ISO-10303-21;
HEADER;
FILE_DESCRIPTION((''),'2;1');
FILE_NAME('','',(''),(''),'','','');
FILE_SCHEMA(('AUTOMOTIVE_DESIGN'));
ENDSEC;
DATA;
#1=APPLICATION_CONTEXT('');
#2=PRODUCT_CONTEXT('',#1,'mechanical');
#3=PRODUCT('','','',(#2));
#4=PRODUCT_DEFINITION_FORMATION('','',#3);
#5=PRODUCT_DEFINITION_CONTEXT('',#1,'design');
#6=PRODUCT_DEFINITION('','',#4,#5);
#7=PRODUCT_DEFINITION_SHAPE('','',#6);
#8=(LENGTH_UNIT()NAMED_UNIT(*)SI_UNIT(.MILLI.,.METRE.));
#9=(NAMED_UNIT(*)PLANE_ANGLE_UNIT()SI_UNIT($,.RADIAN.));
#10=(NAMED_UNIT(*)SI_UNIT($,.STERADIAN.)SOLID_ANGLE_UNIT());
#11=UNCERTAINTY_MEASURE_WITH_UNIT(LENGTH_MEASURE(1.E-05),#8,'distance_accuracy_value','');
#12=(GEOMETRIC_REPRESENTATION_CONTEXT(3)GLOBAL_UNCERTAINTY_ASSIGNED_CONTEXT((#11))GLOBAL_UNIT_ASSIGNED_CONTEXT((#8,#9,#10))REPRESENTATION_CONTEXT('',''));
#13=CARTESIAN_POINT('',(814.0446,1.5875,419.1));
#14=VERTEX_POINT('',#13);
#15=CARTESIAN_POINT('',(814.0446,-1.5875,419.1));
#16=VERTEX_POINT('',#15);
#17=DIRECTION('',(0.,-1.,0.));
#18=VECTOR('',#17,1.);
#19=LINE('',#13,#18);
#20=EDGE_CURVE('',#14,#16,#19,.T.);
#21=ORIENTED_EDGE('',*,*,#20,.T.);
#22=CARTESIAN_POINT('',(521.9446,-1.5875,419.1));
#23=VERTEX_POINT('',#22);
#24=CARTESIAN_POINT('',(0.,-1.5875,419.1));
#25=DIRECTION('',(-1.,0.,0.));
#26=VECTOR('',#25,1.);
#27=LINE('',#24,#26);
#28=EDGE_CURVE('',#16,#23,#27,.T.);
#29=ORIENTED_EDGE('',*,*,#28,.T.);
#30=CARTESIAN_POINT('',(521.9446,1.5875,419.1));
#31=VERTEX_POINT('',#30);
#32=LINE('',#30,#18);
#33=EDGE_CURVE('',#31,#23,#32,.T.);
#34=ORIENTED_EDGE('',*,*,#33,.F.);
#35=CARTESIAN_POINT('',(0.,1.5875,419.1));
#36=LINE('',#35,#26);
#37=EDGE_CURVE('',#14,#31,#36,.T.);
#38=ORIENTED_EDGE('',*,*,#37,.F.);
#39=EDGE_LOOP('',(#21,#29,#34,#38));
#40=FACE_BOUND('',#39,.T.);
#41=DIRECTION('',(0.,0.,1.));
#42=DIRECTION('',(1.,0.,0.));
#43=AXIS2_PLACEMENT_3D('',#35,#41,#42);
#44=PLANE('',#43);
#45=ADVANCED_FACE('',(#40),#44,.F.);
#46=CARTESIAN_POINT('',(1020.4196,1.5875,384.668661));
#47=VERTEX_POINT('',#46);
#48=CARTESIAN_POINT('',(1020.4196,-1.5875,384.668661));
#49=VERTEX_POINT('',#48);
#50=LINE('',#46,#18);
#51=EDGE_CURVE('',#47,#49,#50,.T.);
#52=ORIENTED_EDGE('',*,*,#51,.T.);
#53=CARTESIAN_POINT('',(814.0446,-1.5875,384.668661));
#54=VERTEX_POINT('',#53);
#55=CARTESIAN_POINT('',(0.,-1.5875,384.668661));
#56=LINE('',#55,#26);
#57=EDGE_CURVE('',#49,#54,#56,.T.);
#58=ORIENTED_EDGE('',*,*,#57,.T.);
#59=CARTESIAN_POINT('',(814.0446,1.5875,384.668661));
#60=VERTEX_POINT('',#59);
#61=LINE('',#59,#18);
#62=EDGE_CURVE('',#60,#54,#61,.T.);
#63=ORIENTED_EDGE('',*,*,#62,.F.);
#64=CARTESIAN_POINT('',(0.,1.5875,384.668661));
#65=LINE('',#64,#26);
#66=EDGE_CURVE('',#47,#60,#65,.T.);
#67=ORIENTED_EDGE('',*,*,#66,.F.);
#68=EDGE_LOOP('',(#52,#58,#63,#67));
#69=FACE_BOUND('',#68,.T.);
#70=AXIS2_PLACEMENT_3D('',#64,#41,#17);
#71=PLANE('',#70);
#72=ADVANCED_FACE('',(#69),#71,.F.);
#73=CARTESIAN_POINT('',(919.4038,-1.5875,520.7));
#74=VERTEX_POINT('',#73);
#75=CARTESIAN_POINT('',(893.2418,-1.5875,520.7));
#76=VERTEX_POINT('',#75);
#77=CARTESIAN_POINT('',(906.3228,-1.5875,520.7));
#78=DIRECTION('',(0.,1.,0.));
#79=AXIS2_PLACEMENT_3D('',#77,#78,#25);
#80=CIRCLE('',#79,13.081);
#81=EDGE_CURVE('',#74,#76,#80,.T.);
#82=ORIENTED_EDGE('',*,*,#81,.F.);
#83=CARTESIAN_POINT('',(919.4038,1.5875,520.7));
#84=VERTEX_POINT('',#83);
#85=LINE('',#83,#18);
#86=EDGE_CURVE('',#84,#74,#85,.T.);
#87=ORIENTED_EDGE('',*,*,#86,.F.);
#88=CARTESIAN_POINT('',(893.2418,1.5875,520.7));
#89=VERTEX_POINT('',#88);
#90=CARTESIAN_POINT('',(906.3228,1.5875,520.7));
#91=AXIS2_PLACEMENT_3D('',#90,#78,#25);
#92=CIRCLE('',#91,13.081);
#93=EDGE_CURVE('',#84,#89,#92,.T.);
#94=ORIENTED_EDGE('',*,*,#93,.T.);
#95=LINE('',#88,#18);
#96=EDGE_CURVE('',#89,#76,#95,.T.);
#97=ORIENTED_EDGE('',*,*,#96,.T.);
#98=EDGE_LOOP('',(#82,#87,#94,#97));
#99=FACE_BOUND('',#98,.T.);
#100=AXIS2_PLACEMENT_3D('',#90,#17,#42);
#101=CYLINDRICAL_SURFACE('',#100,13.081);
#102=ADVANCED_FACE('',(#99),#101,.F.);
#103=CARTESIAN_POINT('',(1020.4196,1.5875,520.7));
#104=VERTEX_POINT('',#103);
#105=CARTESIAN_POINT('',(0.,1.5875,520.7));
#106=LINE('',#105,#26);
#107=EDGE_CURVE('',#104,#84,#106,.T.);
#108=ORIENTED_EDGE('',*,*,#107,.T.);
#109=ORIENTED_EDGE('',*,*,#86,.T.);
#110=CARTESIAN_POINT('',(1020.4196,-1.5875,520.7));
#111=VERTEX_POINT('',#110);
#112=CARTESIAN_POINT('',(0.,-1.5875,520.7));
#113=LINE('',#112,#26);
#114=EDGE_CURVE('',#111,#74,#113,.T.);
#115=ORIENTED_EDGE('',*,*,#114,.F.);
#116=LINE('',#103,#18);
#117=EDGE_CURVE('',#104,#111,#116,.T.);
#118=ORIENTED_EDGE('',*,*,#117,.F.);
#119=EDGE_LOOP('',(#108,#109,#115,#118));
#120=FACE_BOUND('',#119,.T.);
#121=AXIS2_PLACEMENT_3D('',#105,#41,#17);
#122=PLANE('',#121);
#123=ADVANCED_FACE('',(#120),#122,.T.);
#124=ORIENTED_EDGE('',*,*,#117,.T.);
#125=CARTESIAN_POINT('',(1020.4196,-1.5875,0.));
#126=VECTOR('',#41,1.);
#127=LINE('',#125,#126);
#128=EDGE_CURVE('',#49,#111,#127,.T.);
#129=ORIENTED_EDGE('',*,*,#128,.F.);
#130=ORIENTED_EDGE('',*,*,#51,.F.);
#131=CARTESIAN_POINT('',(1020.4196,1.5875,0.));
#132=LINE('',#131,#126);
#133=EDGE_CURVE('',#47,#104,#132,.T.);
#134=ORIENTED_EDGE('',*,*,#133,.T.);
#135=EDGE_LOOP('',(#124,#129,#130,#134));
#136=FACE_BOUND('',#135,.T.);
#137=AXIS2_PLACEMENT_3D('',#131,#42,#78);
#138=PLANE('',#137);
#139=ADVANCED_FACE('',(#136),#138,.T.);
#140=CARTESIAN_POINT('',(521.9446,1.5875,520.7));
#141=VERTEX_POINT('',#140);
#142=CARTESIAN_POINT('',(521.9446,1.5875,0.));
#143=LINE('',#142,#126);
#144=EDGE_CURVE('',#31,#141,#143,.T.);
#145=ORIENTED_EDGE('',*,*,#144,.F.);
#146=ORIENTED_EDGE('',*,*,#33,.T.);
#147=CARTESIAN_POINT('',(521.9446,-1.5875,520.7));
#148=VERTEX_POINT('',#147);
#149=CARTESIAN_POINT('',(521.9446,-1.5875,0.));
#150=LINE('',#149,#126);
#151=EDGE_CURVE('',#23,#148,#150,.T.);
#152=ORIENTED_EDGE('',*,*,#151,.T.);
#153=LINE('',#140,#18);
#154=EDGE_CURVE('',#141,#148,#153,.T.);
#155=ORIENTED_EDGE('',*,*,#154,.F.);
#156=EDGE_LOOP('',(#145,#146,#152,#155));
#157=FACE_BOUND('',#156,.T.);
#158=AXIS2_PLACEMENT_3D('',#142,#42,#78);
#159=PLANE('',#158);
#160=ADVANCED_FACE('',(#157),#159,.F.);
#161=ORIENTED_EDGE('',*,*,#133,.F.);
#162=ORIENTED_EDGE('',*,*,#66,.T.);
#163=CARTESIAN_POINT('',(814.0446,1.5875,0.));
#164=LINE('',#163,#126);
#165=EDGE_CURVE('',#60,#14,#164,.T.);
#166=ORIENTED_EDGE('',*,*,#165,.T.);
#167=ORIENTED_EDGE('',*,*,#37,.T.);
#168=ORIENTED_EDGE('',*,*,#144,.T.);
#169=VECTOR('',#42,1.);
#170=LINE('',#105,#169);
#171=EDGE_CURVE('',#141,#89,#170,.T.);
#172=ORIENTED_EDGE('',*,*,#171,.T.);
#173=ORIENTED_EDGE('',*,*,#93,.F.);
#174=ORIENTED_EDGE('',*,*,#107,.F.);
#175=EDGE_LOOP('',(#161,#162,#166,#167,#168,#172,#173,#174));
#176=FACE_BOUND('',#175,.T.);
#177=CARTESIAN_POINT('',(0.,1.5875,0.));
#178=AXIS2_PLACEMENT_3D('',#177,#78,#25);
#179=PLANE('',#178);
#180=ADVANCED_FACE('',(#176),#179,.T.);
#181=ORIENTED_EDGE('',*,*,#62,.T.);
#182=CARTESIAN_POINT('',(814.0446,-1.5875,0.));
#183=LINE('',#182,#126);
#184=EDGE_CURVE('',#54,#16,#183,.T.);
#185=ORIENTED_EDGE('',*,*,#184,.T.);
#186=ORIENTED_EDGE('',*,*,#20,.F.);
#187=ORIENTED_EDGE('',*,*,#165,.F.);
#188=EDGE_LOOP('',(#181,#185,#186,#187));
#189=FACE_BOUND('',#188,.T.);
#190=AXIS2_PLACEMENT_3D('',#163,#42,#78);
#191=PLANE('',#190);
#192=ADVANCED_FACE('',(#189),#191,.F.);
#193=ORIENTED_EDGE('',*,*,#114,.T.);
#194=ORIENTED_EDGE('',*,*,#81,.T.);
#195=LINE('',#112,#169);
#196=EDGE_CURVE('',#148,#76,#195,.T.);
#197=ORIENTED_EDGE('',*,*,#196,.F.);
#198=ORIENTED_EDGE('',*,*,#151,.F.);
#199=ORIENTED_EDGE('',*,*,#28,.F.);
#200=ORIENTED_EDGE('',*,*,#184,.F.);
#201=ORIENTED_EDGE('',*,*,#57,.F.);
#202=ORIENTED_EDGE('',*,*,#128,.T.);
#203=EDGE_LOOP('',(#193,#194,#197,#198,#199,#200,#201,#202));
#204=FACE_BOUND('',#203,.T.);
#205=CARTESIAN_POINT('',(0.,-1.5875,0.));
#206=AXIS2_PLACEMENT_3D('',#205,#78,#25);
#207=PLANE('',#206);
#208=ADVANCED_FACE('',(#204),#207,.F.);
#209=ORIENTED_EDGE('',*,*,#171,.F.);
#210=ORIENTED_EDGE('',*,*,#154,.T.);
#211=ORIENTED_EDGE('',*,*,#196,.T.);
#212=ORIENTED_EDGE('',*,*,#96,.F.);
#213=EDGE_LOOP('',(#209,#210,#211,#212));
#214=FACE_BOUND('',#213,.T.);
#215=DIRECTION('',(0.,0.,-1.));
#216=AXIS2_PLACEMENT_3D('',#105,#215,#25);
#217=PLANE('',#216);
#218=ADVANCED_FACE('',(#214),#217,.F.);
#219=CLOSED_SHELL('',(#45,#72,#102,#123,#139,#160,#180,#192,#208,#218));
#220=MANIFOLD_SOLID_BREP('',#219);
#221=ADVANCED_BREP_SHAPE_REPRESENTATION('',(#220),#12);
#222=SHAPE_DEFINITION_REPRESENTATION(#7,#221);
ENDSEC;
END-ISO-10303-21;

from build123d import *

# Parameters (mm, degrees)
BOSS_EXTRUDE1_DEPTH = 1.5875


with BuildPart() as part:
    # Sketch1 → Boss-Extrude1 (new, symmetric)
    with BuildSketch(Plane(origin=(0, 0, 0), x_dir=(1, 0, 0), z_dir=(0, 1, 0))):
        with BuildLine():
            Line((1020.4196, -520.7), (1020.4196, -384.668661408))
            Line((1020.4196, -384.668661408), (1017.2446, -384.668661408))
            Line((1017.2446, -384.668661408), (814.0446, -384.668661408))
            Line((814.0446, -384.668661408), (814.0446, -419.1))
            Line((814.0446, -419.1), (525.1196, -419.1))
            Line((525.1196, -419.1), (521.9446, -419.1))
            Line((521.9446, -419.1), (521.9446, -520.7))
            Line((521.9446, -520.7), (525.1196, -520.7))
            Line((525.1196, -520.7), (893.2418, -520.7))
            ThreePointArc((893.2418, -520.7), (906.3228, -507.619), (919.4038, -520.7))
            Line((919.4038, -520.7), (1020.4196, -520.7))
        make_face()
    extrude(amount=BOSS_EXTRUDE1_DEPTH, both=True)


solid = part.part
